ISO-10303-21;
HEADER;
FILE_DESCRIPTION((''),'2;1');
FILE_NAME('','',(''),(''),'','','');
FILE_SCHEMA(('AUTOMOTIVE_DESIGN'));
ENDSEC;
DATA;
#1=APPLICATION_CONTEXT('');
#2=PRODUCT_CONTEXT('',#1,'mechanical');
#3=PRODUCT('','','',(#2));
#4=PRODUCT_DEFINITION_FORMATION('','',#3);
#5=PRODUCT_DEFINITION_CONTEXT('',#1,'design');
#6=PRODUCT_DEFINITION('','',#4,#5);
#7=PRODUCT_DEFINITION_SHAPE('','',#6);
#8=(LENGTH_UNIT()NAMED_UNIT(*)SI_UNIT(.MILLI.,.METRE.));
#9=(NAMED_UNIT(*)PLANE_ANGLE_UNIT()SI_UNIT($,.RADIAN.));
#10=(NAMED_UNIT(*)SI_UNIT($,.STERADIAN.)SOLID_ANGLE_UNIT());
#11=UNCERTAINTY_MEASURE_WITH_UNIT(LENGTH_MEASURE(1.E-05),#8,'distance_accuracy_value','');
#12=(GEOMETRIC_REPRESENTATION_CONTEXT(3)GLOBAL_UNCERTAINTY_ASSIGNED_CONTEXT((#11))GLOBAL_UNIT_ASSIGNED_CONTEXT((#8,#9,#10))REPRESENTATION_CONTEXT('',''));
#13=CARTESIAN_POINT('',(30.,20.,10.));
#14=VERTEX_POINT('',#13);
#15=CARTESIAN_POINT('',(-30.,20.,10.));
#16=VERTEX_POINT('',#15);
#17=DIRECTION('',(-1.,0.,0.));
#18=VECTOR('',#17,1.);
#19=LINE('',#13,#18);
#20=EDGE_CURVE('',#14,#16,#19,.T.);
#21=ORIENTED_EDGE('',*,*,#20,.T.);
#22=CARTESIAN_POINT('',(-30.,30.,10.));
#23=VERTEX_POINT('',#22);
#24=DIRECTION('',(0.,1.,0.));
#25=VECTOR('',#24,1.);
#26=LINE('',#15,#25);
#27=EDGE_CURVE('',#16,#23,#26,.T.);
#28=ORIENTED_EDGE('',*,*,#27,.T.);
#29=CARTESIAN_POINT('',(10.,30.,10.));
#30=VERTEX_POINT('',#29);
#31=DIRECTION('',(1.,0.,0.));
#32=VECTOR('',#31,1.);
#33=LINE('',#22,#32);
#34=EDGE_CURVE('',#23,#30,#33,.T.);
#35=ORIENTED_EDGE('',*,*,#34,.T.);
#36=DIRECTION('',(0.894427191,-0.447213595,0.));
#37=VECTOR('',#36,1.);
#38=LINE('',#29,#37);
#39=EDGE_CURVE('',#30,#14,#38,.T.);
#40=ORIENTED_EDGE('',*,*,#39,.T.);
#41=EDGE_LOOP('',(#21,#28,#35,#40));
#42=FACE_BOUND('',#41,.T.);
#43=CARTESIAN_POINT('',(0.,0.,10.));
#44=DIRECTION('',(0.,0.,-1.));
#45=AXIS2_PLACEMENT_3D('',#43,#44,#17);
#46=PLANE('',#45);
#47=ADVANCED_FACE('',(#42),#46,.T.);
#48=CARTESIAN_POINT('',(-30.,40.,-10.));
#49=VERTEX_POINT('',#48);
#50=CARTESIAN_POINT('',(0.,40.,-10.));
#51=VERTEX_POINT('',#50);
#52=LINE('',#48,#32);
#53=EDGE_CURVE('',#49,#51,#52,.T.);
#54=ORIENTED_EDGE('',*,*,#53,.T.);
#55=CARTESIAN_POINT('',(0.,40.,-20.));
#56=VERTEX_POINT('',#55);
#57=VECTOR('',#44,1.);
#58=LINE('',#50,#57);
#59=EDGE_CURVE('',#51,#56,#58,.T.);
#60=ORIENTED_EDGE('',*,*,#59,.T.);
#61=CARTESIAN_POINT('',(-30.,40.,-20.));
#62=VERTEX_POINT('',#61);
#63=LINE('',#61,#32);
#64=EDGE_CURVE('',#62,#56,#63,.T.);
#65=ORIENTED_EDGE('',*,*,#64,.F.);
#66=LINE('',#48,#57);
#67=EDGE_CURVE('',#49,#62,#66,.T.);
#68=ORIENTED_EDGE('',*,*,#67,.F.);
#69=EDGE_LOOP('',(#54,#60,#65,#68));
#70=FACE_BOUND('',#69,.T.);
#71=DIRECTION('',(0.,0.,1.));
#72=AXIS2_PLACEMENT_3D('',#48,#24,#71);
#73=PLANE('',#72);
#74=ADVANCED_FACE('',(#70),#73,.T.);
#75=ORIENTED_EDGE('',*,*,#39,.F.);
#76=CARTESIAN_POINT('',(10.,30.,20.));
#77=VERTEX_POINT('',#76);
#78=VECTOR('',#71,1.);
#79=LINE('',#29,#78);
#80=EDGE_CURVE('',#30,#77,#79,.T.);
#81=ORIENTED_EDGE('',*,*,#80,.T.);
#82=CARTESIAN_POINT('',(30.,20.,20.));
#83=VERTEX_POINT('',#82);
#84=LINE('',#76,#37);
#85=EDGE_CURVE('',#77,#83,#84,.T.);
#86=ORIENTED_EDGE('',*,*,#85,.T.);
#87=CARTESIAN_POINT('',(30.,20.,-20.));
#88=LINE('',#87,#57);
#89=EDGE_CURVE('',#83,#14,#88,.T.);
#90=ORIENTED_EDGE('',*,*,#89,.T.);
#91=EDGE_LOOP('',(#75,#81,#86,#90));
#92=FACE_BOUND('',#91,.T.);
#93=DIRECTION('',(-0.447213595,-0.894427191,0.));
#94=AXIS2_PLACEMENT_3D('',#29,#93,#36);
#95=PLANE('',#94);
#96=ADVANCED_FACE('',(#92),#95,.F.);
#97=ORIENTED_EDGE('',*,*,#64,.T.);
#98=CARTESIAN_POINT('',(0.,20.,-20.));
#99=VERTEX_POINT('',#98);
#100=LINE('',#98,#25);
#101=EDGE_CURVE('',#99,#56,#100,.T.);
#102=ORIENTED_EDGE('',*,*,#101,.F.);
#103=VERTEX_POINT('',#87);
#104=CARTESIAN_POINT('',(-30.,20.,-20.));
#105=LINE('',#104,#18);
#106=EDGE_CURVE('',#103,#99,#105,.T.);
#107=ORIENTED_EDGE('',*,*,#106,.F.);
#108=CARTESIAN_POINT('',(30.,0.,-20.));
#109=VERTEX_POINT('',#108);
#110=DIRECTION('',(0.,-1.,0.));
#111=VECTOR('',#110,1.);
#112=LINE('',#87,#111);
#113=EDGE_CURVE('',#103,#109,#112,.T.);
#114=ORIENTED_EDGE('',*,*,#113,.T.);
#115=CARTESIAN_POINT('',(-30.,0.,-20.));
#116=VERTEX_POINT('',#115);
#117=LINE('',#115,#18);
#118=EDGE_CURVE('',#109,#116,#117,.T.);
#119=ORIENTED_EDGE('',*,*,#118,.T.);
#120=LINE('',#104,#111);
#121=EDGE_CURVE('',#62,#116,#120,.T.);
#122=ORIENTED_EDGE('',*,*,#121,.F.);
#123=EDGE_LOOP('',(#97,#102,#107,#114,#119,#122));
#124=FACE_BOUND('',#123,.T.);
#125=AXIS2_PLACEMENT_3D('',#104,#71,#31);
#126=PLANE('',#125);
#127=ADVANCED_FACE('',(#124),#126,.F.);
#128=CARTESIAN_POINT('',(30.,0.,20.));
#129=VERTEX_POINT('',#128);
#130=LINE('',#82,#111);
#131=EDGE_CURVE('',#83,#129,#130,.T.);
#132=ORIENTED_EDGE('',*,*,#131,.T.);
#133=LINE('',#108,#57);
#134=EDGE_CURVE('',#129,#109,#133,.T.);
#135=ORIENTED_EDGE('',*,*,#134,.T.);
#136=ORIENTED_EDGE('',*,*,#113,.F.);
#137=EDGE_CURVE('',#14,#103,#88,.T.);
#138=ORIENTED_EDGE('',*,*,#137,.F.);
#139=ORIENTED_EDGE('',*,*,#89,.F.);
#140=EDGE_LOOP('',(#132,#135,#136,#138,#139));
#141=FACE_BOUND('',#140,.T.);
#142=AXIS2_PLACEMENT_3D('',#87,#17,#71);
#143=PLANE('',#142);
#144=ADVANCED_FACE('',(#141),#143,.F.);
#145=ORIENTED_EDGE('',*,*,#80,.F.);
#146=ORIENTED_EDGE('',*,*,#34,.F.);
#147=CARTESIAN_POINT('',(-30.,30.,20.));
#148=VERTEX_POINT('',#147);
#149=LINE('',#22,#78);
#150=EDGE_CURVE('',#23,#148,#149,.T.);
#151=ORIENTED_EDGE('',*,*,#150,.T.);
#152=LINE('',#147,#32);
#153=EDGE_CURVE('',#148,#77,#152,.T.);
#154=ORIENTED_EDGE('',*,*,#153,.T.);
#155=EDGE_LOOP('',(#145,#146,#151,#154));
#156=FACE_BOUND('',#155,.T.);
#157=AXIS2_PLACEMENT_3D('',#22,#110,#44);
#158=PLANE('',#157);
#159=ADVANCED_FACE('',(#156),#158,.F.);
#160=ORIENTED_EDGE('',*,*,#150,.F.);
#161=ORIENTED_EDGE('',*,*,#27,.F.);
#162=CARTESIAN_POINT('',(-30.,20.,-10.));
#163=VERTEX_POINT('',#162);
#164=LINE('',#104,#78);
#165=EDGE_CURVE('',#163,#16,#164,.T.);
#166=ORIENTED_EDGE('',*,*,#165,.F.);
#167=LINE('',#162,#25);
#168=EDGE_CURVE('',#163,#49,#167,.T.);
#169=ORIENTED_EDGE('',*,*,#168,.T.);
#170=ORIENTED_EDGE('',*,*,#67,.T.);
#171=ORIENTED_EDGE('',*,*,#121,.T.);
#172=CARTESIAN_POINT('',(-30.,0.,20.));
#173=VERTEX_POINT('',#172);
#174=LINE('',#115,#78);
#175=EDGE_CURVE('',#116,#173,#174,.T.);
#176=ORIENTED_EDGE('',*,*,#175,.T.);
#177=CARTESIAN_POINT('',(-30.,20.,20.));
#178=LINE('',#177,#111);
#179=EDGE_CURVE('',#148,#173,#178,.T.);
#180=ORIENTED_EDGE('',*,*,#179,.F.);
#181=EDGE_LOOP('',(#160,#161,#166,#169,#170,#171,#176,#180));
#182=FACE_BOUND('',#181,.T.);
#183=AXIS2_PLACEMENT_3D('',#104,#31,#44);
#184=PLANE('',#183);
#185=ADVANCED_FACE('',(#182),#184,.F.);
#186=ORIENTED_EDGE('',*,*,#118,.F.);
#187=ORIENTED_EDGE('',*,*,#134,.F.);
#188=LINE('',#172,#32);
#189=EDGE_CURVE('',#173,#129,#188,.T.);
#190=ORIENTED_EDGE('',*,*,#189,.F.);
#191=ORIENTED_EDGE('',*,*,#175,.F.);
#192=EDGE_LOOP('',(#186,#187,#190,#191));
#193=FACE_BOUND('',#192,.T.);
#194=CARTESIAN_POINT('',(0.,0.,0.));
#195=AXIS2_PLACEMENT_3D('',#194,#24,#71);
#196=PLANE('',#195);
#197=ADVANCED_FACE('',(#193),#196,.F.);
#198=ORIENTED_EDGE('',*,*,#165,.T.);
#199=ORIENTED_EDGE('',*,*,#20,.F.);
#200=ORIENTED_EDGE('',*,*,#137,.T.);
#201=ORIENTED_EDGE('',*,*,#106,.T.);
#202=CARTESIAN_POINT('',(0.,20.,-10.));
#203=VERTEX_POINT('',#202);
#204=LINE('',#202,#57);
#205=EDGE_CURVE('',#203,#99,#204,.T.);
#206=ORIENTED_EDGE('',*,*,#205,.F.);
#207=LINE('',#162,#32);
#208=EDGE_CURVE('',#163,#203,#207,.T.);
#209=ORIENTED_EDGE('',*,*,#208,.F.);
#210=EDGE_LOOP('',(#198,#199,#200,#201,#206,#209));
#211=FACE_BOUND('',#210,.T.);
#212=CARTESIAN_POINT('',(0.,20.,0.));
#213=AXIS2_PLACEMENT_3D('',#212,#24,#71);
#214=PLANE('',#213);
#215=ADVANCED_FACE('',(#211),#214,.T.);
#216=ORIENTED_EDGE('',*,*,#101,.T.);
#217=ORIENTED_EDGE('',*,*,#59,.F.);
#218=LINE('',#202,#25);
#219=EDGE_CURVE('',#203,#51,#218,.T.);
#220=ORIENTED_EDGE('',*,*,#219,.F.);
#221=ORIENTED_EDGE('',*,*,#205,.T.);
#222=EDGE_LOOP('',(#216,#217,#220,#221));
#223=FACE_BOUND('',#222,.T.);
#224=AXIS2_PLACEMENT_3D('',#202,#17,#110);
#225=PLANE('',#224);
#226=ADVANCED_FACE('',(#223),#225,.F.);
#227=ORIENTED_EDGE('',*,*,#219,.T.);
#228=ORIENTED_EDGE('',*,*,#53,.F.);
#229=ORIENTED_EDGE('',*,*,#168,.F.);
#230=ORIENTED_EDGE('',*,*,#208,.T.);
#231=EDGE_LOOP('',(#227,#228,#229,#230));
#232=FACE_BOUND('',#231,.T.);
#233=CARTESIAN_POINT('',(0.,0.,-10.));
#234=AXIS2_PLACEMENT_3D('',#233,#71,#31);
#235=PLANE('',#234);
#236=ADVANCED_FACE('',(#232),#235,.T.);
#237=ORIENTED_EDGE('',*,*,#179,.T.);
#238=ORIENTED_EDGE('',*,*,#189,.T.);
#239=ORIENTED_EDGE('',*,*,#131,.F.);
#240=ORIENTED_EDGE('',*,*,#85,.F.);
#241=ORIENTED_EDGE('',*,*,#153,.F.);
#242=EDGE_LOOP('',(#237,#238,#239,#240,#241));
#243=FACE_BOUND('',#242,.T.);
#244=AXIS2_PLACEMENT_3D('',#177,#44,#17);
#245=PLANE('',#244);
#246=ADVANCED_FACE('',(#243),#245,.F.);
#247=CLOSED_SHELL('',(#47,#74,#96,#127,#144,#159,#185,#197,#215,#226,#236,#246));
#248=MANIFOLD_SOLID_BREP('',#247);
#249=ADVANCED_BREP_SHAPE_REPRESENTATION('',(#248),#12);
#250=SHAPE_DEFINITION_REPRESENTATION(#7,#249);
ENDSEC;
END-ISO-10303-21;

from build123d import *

# Parameters (mm, degrees)
SKETCH1_W           = 60
SKETCH1_H           = 40
BOSS_EXTRUDE1_DEPTH = 20
BOSS_EXTRUDE2_DEPTH = 10
SKETCH3_W           = 30
SKETCH3_H           = 20
BOSS_EXTRUDE3_DEPTH = 10


with BuildPart() as part:
    # Sketch1 → Boss-Extrude1 (new body)
    with BuildSketch(Plane(origin=(0, 0, 0), x_dir=(1, 0, 0), z_dir=(0, 1, 0))):
        Rectangle(SKETCH1_W, SKETCH1_H)
    extrude(amount=BOSS_EXTRUDE1_DEPTH)

    # Sketch2 → Boss-Extrude2 (add)
    with BuildSketch(Plane.XY.offset(20)):
        Polygon((-30, 20), (-30, 30), (10, 30), (30, 20), align=None)
    extrude(amount=-BOSS_EXTRUDE2_DEPTH)

    # Sketch3 → Boss-Extrude3 (add)
    with BuildSketch(Plane(origin=(0, 0, -20), x_dir=(-1, 0, 0), z_dir=(0, 0, -1))):
        with Locations((15, 30)):
            Rectangle(SKETCH3_W, SKETCH3_H)
    extrude(amount=-BOSS_EXTRUDE3_DEPTH)


solid = part.part
